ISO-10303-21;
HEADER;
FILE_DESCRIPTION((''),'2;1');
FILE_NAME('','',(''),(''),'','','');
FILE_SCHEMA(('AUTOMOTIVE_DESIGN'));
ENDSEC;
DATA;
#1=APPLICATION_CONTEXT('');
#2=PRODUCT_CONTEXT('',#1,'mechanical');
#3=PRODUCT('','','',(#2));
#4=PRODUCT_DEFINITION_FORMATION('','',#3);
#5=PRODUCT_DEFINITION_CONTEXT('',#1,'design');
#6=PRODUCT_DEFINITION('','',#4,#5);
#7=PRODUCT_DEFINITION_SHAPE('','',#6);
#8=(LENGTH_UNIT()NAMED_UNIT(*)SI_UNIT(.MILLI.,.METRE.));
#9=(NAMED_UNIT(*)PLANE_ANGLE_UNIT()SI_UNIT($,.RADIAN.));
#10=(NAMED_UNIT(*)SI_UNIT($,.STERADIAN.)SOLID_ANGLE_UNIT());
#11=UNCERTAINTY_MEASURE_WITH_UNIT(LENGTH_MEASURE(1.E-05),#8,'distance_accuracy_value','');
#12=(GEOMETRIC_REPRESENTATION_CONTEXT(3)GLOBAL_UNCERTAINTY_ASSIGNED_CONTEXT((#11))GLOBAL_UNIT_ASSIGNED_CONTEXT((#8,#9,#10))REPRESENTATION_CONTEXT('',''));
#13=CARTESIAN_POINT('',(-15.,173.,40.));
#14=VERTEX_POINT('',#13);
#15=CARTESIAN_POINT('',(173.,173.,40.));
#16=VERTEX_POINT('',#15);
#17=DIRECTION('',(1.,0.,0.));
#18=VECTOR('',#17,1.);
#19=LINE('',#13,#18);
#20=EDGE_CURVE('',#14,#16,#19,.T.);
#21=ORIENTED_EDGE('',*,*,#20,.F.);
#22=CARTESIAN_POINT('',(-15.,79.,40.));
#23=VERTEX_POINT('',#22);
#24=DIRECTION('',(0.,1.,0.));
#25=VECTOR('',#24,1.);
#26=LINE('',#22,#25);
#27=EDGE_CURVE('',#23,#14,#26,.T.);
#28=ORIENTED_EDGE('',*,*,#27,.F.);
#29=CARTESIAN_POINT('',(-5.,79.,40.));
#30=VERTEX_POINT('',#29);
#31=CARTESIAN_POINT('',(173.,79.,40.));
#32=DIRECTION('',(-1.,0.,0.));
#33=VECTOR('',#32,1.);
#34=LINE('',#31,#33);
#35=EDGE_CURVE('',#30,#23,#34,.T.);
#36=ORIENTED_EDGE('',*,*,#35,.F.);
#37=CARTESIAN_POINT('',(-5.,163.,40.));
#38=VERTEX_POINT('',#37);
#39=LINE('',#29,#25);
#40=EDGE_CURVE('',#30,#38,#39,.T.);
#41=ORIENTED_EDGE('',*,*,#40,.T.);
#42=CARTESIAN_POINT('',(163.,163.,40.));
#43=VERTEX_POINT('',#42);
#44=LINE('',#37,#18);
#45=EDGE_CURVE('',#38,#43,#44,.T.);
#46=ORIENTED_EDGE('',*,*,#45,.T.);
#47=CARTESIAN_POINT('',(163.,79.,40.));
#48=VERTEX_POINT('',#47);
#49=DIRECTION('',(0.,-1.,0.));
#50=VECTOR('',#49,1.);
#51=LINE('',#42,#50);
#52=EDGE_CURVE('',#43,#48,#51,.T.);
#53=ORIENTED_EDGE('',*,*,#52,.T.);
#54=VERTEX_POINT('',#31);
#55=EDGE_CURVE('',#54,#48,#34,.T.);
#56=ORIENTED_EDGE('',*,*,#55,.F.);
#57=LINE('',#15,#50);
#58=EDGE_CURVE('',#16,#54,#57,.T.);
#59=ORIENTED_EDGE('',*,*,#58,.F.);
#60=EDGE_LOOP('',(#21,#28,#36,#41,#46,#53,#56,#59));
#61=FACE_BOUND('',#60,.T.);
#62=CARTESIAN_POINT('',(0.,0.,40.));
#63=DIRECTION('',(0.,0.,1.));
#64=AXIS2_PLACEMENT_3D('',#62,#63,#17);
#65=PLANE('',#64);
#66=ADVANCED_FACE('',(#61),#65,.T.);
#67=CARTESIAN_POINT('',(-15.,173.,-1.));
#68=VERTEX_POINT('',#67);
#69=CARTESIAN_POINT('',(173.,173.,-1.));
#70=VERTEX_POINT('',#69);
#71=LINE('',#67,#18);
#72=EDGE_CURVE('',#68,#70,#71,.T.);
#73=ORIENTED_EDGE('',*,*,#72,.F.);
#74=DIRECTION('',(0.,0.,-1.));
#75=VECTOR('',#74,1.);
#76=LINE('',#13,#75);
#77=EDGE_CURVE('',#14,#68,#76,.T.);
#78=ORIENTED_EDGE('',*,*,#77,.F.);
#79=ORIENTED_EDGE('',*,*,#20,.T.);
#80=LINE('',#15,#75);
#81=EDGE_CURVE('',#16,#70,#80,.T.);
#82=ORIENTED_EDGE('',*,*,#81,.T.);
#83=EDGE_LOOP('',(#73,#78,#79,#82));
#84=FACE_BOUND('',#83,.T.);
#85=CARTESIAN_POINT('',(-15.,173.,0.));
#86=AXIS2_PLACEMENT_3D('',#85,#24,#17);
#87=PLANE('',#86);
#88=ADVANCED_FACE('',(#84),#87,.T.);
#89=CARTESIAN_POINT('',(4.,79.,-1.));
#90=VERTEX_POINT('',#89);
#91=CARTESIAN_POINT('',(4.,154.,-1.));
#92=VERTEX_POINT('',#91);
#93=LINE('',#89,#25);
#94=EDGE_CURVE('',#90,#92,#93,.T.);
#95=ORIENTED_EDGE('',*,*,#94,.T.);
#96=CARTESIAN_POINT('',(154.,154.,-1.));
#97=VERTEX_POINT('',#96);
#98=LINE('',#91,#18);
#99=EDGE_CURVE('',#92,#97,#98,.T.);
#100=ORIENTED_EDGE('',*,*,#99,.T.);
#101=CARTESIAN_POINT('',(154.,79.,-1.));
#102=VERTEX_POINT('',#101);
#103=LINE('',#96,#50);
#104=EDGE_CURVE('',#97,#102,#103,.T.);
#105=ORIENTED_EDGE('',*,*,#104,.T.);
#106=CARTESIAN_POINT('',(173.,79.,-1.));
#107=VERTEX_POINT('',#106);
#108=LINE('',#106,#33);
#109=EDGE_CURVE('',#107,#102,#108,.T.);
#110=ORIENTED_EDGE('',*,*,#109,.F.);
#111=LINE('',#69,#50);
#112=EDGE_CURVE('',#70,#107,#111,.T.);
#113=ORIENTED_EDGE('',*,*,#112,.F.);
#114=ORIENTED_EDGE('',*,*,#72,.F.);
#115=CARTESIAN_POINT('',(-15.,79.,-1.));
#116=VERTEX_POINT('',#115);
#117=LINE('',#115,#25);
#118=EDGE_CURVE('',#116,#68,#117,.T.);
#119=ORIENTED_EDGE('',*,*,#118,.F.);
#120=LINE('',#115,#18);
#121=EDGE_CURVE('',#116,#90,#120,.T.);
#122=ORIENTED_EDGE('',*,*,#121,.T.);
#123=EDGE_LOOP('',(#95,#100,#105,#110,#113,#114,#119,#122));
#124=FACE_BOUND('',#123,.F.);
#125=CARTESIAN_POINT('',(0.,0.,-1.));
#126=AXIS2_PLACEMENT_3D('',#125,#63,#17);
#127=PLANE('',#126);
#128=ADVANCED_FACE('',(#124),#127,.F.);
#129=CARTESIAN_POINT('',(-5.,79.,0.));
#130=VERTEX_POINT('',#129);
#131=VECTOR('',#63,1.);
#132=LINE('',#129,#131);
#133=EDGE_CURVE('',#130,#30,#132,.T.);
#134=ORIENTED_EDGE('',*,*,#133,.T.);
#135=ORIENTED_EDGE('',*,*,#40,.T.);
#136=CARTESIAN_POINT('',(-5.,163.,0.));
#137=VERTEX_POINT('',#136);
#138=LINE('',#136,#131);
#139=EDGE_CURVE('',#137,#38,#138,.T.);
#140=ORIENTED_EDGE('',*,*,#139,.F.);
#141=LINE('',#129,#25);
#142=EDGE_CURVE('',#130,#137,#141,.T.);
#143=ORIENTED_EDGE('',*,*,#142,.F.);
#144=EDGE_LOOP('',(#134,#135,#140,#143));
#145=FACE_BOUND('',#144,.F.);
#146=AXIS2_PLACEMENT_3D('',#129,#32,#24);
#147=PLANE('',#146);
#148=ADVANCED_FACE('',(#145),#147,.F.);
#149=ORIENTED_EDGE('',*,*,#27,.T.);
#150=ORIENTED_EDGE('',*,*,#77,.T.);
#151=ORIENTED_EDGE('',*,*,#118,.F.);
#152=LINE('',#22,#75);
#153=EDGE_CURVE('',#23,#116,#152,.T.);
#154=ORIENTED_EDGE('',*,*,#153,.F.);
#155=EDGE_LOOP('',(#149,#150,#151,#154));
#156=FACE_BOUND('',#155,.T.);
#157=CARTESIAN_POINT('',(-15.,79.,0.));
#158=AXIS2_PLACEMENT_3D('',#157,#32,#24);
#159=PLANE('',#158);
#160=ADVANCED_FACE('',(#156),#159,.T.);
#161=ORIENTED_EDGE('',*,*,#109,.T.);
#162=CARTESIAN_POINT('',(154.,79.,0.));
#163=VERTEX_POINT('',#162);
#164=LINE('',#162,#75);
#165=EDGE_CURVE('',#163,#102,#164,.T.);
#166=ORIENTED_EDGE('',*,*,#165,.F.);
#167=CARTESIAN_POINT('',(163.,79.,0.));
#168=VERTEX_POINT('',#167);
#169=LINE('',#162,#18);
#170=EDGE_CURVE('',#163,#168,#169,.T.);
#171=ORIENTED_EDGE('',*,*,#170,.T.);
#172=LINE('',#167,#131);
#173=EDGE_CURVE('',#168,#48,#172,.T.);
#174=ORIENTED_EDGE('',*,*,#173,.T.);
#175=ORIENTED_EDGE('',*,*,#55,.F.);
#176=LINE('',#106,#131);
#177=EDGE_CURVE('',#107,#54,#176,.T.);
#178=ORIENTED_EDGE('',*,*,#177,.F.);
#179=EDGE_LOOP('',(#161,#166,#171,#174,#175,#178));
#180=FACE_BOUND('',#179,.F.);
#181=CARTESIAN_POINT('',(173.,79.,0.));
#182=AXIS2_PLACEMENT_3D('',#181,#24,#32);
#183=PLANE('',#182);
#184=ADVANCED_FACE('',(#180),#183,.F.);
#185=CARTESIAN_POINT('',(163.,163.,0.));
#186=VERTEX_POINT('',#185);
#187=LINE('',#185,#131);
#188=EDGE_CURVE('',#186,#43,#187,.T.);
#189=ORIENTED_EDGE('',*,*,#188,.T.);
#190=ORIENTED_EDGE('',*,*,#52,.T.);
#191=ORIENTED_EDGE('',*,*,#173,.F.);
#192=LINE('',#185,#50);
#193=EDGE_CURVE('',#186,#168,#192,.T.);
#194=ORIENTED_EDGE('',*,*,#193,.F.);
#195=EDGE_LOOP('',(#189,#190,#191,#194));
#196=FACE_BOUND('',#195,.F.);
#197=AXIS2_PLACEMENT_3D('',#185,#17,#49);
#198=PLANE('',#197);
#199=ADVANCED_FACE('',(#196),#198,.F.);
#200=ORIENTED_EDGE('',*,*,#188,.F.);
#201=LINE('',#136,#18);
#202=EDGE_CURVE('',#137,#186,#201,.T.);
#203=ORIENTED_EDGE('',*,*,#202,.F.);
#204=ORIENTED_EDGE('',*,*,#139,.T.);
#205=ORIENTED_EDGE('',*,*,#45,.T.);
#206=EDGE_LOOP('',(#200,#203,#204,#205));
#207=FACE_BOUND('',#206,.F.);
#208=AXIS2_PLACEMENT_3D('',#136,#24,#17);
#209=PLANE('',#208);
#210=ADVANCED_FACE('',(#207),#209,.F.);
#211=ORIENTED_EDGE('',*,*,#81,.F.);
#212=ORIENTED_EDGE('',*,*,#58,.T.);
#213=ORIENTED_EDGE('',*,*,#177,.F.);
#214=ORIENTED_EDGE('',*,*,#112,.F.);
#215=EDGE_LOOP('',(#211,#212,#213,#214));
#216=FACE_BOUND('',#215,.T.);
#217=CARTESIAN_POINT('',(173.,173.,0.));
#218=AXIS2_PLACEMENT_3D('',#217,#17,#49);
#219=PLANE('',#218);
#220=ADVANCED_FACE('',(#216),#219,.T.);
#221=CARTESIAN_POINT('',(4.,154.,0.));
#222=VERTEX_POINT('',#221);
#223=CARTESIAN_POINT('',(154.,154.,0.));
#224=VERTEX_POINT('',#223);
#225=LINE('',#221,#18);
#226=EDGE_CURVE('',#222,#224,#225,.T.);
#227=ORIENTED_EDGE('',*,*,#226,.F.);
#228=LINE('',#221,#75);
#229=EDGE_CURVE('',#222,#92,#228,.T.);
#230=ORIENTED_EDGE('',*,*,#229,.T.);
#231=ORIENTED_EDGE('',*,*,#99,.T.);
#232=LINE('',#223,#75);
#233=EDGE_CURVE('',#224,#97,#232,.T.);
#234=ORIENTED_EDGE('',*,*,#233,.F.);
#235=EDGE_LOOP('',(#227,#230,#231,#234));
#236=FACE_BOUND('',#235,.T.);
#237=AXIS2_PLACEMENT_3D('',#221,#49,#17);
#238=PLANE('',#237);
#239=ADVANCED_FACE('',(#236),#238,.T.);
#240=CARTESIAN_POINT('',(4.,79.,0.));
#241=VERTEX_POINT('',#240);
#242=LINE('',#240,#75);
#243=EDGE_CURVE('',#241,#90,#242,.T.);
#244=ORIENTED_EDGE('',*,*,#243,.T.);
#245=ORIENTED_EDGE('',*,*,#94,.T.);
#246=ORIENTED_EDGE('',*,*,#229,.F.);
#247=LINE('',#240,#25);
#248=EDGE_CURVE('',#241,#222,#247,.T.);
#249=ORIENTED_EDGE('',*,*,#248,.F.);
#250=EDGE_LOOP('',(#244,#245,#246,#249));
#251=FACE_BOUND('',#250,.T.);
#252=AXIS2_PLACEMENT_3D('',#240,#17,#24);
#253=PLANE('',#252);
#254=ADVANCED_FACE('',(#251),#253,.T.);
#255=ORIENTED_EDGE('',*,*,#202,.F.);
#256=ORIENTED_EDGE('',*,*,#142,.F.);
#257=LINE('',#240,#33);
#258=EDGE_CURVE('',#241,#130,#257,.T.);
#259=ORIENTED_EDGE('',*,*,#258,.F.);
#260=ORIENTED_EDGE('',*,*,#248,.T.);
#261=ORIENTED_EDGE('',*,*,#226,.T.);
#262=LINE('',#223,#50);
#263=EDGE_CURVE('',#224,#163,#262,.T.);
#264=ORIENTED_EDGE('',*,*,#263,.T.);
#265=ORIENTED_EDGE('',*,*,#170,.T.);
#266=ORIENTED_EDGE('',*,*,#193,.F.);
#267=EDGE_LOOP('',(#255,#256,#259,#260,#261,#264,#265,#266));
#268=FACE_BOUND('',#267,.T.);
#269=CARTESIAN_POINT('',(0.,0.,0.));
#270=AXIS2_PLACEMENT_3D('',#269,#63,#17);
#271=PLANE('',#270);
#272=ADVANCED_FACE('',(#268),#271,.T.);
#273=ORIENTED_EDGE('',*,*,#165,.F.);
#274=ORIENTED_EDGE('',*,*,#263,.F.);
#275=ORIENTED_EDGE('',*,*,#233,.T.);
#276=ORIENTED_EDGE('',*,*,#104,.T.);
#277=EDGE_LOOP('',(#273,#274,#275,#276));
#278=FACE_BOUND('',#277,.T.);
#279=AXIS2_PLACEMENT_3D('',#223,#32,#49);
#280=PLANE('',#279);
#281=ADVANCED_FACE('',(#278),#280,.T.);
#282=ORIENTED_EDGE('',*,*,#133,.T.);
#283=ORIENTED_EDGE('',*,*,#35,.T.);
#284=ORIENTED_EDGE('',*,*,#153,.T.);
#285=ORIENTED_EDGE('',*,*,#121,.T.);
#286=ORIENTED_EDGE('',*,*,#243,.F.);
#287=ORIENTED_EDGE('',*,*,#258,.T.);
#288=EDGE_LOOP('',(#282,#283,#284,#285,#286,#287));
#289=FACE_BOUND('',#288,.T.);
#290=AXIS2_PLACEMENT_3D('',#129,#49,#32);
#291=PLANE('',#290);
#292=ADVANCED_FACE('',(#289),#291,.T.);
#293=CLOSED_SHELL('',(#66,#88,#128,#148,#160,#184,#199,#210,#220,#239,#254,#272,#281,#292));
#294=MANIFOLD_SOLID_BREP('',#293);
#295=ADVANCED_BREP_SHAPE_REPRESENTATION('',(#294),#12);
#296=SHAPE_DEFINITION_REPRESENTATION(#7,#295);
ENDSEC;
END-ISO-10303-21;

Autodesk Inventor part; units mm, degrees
ref_plane "YZ Plane" through (0, 0, 0) normal (1, 0, 0) x (0, 1, 0)
ref_plane "XZ Plane" through (0, 0, 0) normal (0, 1, 0) x (-1, 0, 0)
ref_plane "XY Plane" through (0, 0, 0) normal (0, 0, 1) x (1, 0, 0)
sketch "Sketch1" plane through (0, 0, 0) normal (0, 0, 1) x (1, 0, 0)
  line L0 (-273.8289, 101.7521) -> (-188.1039, 101.7521) construction
  line L1 (-188.1039, 101.7521) -> (-188.1039, 47.7771) construction
  line L2 (-188.1039, 47.7771) -> (-273.8289, 47.7771) construction
  line L3 (-273.8289, 47.7771) -> (-273.8289, 101.7521) construction
  line L4 (-343.37, 152.3416) -> (456.63, 152.3416) construction
  line L5 (456.63, 152.3416) -> (456.63, -1269.8807) construction
  line L6 (456.63, -1269.8807) -> (-343.37, -1269.8807) construction
  line L7 (-343.37, -1269.8807) -> (-343.37, 152.3416) construction
  line L8 (0, 0) -> (0, 158) construction
  line L9 (0, 158) -> (158, 158) construction
  line L10 (158, 158) -> (158, 0) construction
  line L11 (158, 0) -> (0, 0) construction
  line L12 (26, 26) -> (26, 132) construction
  line L13 (26, 132) -> (132, 132) construction
  line L14 (132, 132) -> (132, 26) construction
  line L15 (132, 26) -> (26, 26) construction
  line L16 (0, 158) -> (158, 0) construction
  line L17 (26, 26) -> (132, 132) construction
  line L18 (-5, 163) -> (163, 163)
  line L19 (163, 163) -> (163, 79)
  line L20 (163, 79) -> (-5, 79)
  line L21 (-5, 79) -> (-5, 163)
  line L22 (-15, 173) -> (173, 173)
  line L23 (173, 173) -> (173, 79)
  line L24 (173, 79) -> (-15, 79)
  line L25 (-15, 79) -> (-15, 173)
  line L26 (4, 154) -> (154, 154)
  line L27 (154, 154) -> (154, 79)
  line L28 (154, 79) -> (4, 79)
  line L29 (4, 79) -> (4, 154)
  point P0 (79, 79)
  point P1 (4, 79)
  point P2 (163, 79)
  point P3 (163, 79)
  dimension "d1" = 85.725
  dimension "d2" = 53.975
  dimension "d43" = 800.0001
  dimension "d52" = 158
  dimension "d53" = 158
  dimension "d59" = 106
  dimension "d60" = 106
  dimension "d62" = 5
  dimension "d63" = 5
  dimension "d64" = 5
  dimension "d65" = 10
  dimension "d66" = 10
  dimension "d67" = 10
  dimension "d68" = 4
  dimension "d69" = 4
  dimension "d70" = 4
extrude "Extrusion1" add sketch "Sketch1" against normal blind 1 contours L21 L24 L25 L22 L23 L19 L18 | L18 L19 L20 L27 L26 L29 L21
extrude "Extrusion2" add sketch "Sketch1" along normal blind 40 contours L21 L24 L25 L22 L23 L19 L18
properties part number "DoorButtonMount"
